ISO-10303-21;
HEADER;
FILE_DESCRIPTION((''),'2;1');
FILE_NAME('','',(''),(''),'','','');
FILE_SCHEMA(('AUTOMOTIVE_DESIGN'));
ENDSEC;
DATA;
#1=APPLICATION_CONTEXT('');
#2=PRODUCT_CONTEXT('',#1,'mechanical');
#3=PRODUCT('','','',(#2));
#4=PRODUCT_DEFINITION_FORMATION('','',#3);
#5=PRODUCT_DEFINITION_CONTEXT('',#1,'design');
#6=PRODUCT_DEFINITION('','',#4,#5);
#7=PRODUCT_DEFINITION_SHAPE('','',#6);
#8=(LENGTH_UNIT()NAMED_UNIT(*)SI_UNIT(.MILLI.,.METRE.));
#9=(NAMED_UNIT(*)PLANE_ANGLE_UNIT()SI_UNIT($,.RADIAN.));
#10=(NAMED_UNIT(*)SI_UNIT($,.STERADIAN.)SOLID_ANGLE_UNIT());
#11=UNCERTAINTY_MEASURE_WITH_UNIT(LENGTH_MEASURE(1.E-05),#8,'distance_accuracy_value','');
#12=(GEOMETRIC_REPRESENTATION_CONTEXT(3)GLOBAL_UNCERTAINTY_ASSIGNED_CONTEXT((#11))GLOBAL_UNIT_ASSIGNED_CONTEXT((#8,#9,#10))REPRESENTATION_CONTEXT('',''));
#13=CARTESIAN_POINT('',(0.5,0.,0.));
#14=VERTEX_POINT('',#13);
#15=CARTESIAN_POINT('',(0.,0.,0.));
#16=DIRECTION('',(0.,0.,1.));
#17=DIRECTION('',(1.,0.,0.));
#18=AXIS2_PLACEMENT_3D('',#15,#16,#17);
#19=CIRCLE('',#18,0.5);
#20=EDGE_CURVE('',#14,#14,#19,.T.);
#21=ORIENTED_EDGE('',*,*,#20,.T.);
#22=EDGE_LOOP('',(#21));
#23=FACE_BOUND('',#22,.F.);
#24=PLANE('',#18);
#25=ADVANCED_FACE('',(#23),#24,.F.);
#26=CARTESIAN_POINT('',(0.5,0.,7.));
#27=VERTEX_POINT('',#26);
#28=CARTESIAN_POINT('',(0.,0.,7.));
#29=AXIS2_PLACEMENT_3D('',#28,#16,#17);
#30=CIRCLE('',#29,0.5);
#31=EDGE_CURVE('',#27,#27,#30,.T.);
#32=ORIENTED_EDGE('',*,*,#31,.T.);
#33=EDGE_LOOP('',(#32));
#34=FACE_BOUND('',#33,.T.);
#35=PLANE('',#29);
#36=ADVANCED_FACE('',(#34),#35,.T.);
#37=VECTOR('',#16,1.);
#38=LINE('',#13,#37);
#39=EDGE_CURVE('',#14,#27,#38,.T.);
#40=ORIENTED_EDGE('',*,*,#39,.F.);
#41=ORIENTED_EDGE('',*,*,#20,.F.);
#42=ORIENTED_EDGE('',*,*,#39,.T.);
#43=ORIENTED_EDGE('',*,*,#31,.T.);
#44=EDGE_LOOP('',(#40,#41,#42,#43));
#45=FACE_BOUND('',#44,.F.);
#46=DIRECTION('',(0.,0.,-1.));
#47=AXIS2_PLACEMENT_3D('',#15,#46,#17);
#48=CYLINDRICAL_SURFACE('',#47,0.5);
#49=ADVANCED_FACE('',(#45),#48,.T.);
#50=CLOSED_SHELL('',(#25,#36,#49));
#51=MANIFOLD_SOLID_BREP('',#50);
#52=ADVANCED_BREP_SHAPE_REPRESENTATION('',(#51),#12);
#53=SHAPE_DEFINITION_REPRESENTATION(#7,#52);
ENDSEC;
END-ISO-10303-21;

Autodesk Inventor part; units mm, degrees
ref_plane "YZ Plane" through (0, 0, 0) normal (1, 0, 0) x (0, 1, 0)
ref_plane "XZ Plane" through (0, 0, 0) normal (0, 1, 0) x (-1, 0, 0)
ref_plane "XY Plane" through (0, 0, 0) normal (0, 0, 1) x (1, 0, 0)
sketch "Sketch3" plane through (0, 0, 0) normal (0, 0, 1) x (1, 0, 0)
  circle A0 centre (0, 0) radius 0.5
  dimension "d0" = 1
extrude "Extrusion1" add sketch "Sketch3" along normal blind 7
properties part number "Pin_Case_Union"
